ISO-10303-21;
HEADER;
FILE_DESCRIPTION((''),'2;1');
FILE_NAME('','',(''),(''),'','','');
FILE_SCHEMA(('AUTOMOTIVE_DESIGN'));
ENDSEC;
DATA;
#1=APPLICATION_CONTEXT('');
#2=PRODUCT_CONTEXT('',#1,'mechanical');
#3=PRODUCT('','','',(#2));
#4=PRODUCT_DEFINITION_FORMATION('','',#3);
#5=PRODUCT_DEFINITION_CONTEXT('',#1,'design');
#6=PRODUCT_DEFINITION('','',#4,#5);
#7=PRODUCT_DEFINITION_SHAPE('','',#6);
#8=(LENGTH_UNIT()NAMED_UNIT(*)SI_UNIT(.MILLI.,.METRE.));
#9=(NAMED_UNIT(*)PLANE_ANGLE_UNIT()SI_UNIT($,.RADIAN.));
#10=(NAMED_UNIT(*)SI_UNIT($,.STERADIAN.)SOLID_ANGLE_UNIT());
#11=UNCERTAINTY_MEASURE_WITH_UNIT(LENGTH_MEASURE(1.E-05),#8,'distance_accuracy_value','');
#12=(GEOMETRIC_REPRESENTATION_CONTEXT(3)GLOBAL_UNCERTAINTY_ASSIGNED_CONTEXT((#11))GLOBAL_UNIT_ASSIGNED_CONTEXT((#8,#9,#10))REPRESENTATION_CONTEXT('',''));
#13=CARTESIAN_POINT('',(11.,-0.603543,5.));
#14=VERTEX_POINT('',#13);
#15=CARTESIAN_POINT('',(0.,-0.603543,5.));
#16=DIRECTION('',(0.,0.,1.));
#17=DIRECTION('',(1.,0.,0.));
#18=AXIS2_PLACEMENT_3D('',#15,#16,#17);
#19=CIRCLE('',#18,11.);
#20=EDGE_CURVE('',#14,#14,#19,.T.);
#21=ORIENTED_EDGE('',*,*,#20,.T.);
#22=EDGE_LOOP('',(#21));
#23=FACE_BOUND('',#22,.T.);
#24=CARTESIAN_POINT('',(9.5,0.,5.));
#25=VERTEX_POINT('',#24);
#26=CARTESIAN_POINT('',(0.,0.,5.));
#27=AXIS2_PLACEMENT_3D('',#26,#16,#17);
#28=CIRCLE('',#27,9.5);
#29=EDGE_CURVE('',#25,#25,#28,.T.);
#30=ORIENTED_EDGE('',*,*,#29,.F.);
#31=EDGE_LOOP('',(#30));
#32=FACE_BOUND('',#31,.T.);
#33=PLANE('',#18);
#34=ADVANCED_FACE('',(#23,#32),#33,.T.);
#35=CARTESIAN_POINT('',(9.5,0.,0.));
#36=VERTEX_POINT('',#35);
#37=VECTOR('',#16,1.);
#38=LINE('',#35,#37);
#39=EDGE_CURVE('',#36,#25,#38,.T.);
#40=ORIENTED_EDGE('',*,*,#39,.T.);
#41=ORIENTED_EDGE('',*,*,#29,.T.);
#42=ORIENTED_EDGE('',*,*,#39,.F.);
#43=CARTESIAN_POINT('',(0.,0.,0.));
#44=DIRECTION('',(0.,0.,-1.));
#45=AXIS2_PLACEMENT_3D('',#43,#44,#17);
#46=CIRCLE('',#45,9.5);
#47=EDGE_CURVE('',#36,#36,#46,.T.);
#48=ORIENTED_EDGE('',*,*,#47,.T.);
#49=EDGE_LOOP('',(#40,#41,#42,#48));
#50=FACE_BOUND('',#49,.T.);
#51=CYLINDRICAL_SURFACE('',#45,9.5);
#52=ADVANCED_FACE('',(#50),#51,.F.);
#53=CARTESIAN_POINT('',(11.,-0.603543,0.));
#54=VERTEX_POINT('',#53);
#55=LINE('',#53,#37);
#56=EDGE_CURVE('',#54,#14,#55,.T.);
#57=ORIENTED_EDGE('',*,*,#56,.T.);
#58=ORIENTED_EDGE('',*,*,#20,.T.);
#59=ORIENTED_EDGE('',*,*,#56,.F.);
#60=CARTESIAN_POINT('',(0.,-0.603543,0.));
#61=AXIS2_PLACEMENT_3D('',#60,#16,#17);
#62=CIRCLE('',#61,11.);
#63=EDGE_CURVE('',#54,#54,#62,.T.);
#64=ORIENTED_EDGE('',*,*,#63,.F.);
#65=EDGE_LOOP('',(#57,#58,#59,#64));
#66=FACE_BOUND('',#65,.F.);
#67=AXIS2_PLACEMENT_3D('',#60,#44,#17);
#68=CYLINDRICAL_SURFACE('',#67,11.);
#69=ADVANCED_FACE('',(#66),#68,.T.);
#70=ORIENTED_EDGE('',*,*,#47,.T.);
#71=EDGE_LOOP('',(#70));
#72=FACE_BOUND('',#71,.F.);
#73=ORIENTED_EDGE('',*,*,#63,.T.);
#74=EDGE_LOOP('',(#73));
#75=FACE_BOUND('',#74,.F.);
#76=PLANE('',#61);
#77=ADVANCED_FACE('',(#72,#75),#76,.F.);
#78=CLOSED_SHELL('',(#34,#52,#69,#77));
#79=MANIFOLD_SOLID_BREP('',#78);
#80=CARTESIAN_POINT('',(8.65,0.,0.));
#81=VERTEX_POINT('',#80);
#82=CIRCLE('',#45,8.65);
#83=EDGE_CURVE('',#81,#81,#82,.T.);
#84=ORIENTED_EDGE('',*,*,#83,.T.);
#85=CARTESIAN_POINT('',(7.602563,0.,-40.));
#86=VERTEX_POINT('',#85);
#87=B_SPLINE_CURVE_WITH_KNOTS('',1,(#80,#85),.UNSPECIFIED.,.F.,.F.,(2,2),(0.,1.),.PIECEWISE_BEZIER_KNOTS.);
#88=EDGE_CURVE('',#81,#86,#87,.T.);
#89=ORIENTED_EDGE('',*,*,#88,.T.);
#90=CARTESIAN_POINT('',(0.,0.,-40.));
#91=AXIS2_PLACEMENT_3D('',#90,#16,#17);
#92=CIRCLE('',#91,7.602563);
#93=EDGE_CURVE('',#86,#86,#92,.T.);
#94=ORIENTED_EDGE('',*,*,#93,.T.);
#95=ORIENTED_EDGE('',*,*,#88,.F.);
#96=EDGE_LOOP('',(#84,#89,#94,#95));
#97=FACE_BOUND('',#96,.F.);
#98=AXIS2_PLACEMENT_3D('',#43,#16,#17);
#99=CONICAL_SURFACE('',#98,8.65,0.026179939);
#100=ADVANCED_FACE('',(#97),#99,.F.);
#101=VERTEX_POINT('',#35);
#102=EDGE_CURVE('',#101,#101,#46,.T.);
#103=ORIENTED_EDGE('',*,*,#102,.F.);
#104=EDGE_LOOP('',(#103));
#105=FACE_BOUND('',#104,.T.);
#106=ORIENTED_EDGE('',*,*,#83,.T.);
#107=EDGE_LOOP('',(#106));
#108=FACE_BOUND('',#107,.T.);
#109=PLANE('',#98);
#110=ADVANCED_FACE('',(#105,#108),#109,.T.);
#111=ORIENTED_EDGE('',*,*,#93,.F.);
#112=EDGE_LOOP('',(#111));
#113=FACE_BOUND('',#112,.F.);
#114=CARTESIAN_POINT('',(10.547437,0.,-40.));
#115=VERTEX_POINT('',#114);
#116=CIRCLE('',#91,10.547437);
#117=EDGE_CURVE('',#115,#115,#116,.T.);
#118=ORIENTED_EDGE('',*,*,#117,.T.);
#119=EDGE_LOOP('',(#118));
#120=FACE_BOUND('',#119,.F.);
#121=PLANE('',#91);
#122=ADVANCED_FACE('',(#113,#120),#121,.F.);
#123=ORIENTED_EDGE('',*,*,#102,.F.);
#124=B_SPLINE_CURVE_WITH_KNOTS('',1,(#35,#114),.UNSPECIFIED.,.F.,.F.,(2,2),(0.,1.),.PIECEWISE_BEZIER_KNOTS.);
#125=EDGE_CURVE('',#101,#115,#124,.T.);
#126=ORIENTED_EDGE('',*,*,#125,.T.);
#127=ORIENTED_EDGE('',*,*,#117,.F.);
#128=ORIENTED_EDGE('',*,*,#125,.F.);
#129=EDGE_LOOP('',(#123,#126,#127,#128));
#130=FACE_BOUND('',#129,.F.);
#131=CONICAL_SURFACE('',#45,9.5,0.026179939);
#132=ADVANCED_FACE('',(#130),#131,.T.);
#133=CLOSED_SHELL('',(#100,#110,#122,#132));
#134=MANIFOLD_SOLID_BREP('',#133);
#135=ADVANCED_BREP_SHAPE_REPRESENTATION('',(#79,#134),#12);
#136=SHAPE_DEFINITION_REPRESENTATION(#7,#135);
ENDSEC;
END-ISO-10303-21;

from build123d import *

# Parameters (mm, degrees)
F0_R     = 9.5
F0_R_2   = 8.65
F1_DEPTH = 40
F1_TAPER = -1.5
F0_R_3   = 11
F2_DEPTH = 5


with BuildPart() as f1:
    # F0 (on Top) → F1 (new body)
    with BuildSketch(Plane.XY):
        Circle(F0_R)
        Circle(F0_R_2, mode=Mode.SUBTRACT)
    extrude(amount=-F1_DEPTH, taper=F1_TAPER)

    # F0 (on Top) → F2 (join)
    with BuildSketch(Plane.XY):
        with Locations((0, -0.6035432452)):
            Circle(F0_R_3)
        Circle(F0_R, mode=Mode.SUBTRACT)
    extrude(amount=F2_DEPTH)


solid = f1.part
